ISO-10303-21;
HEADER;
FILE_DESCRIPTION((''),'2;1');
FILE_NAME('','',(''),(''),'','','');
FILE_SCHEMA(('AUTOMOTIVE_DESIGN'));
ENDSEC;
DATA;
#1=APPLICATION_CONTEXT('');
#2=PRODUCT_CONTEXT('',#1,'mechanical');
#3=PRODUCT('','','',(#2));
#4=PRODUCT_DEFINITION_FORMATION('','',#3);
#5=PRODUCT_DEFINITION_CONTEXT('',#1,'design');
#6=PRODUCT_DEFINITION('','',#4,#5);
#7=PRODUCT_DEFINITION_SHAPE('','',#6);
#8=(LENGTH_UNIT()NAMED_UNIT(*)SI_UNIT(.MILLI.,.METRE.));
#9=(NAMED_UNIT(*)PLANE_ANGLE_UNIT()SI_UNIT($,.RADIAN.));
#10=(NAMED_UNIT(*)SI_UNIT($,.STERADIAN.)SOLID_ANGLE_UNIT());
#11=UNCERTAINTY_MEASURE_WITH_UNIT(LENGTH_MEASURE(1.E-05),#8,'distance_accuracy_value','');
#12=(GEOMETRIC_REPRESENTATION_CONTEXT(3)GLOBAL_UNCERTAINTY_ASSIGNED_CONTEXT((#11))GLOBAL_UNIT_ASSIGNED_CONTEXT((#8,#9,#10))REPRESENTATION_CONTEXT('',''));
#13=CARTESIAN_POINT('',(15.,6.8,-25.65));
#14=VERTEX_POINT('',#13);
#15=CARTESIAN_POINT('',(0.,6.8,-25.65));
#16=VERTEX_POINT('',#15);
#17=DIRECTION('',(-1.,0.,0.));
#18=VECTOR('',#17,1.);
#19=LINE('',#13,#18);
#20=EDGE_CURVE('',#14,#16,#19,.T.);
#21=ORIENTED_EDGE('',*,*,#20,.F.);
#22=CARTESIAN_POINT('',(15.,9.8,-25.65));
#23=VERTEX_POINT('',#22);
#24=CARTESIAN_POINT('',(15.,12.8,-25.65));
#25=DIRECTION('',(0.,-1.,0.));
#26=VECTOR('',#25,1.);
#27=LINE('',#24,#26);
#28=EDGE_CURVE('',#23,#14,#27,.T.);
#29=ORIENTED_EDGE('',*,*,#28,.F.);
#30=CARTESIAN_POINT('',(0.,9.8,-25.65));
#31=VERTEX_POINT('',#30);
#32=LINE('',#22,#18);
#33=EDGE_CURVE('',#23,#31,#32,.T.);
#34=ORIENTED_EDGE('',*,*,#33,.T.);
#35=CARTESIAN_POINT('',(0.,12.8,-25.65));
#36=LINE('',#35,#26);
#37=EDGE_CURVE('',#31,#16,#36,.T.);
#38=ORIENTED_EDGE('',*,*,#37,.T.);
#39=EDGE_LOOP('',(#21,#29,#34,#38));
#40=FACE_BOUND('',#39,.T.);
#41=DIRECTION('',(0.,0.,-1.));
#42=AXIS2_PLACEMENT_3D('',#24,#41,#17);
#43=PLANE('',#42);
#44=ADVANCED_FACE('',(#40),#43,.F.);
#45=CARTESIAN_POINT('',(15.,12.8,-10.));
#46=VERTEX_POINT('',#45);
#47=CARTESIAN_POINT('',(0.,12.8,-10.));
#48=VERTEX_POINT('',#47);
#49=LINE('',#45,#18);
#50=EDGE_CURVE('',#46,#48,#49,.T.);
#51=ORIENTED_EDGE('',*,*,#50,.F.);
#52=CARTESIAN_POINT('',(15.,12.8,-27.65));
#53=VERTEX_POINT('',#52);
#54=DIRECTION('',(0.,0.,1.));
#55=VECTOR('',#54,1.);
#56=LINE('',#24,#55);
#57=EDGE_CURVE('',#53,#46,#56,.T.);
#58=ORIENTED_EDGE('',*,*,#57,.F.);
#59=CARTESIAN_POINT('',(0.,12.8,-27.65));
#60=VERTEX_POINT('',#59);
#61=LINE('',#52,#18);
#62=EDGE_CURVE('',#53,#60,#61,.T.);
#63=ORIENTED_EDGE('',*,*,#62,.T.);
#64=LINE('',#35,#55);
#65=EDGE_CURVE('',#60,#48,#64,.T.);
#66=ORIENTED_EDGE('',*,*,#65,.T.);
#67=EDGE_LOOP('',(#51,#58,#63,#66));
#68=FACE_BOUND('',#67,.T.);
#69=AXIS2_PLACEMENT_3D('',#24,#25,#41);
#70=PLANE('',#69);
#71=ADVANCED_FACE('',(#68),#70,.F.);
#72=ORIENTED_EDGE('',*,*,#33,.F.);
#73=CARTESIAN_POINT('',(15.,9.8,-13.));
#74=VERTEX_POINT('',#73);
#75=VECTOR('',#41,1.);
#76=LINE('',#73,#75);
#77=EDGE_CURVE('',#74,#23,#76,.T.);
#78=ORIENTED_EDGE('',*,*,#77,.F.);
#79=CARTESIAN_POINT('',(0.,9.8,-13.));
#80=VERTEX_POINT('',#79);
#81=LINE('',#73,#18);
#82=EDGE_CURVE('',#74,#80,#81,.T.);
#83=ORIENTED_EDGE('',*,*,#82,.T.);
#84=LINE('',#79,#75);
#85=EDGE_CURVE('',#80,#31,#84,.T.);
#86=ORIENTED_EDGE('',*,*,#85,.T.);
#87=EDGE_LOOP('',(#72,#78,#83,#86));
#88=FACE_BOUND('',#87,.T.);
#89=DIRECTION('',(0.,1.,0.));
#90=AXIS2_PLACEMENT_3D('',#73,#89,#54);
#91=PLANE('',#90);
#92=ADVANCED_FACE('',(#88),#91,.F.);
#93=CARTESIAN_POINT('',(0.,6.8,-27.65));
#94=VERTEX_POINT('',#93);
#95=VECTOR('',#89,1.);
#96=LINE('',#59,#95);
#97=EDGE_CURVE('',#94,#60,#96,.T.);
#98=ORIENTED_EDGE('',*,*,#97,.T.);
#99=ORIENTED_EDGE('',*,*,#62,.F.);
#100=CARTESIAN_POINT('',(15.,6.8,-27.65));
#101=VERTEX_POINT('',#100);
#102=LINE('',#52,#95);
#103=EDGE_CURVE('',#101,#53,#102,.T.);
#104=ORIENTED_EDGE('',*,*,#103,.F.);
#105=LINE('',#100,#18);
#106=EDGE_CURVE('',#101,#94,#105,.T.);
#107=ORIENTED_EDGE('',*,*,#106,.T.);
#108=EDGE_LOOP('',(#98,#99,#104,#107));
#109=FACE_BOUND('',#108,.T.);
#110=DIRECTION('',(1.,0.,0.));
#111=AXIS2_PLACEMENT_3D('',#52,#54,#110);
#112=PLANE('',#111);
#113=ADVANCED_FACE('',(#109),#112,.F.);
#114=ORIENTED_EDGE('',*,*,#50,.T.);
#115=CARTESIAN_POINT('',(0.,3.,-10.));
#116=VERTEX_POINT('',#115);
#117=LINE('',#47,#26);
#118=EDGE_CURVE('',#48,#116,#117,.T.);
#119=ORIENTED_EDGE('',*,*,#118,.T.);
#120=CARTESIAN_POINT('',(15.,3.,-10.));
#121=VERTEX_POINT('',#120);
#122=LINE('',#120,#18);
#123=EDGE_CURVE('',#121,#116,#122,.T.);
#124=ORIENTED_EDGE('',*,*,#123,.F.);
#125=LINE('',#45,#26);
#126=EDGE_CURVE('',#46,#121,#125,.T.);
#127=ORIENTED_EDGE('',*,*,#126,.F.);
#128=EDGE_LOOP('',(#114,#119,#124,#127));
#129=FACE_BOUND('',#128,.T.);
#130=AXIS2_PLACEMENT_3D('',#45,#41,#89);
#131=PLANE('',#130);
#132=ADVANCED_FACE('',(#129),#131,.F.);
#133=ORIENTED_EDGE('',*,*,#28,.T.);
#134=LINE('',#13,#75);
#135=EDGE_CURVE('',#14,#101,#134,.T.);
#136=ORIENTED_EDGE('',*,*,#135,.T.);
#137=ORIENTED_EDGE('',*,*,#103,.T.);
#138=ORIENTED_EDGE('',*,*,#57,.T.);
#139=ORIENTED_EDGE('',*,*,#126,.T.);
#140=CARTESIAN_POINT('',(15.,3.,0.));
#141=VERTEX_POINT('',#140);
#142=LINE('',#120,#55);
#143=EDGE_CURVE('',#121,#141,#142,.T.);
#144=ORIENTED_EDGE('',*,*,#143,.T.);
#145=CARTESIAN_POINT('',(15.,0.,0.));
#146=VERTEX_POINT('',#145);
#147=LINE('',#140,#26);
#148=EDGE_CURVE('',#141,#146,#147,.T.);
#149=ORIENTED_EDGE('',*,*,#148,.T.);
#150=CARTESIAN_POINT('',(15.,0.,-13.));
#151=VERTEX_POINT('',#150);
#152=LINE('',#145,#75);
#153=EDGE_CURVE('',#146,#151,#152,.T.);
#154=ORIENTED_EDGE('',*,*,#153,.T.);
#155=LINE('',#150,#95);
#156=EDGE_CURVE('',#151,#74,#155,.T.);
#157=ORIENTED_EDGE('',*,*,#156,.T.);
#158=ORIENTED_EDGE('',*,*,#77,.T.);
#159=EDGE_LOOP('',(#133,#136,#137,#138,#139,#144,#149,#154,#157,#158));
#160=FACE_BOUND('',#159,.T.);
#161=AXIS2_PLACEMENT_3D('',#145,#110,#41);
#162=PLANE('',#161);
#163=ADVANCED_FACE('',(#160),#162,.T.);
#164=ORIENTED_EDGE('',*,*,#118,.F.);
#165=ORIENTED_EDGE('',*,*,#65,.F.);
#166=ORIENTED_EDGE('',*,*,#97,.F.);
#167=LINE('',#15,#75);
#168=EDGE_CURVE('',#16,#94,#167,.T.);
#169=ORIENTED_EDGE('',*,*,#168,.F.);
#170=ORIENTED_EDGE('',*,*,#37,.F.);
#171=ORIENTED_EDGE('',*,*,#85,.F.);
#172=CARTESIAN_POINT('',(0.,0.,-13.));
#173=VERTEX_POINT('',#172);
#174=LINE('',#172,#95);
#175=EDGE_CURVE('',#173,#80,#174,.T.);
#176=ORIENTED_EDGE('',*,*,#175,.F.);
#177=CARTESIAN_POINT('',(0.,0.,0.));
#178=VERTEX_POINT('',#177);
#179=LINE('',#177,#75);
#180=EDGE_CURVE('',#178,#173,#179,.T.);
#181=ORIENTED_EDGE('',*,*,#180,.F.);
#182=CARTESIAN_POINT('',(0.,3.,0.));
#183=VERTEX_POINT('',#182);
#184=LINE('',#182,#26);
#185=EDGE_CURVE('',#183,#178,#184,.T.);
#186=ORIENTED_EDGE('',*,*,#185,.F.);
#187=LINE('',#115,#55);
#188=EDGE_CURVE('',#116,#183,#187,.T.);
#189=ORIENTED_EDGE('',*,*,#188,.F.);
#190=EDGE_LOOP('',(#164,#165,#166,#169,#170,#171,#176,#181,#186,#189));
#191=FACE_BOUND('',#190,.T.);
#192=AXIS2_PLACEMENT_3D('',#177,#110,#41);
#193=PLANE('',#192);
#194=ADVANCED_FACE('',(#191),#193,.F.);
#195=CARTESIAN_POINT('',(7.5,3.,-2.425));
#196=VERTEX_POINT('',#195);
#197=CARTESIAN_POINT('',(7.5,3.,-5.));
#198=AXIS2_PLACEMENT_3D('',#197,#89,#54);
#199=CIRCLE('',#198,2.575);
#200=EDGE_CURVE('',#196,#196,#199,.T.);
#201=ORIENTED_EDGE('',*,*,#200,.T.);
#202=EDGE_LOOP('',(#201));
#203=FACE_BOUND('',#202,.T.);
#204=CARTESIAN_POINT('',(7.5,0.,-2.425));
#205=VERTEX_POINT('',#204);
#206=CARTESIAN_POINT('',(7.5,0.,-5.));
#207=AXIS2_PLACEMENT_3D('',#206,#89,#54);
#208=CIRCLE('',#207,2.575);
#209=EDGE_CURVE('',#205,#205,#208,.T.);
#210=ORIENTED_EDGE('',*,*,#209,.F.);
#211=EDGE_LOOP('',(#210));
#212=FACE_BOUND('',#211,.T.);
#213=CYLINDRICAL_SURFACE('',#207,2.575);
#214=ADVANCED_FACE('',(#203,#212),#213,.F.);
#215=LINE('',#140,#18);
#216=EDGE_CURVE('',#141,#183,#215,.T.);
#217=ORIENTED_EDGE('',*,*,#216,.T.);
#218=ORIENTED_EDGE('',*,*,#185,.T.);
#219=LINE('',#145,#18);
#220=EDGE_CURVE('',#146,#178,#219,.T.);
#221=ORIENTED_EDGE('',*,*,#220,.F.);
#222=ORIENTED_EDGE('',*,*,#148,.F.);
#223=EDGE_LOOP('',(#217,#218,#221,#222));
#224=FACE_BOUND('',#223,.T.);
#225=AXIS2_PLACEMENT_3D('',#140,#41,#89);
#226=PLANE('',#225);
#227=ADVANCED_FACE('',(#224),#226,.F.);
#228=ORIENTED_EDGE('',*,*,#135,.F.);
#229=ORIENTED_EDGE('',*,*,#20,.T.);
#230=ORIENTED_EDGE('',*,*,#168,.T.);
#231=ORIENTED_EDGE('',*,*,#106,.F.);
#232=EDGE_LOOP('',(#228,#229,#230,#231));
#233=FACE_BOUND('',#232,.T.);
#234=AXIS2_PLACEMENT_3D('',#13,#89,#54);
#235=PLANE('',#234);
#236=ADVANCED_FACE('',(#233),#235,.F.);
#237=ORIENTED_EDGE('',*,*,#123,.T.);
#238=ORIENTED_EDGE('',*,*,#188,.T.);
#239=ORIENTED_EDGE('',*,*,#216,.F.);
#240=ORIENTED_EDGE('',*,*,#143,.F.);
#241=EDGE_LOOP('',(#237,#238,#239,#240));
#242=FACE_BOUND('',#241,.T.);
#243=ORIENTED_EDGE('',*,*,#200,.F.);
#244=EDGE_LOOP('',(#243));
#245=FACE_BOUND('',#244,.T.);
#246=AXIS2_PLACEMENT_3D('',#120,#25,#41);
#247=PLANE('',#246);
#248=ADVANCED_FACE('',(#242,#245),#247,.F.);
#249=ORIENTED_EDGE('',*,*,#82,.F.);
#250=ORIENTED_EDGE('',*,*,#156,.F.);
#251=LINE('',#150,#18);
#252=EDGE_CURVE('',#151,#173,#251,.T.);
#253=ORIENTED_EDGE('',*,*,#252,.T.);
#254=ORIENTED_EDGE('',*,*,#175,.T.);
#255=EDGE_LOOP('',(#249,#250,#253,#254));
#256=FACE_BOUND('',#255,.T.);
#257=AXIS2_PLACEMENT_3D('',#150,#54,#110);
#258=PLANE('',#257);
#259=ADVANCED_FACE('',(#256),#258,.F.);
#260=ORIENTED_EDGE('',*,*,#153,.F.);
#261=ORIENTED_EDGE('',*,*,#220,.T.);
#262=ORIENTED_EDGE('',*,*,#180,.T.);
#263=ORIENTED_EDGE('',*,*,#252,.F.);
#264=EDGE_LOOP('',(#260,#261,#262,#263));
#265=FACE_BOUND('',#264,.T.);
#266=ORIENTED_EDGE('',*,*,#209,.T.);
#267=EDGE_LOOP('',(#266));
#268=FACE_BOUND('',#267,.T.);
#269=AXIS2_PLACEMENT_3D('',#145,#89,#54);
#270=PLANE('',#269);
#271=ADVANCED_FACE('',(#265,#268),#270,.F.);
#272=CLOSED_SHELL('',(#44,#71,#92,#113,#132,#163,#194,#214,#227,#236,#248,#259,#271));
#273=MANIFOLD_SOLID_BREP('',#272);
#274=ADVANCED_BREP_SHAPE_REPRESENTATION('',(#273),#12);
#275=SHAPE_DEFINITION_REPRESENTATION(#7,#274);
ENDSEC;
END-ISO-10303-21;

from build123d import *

# Parameters (mm, degrees)
SALIENTE_EXTRUIR1_DEPTH = 15
CROQUIS4_W              = 2
CROQUIS4_H              = 6
SALIENTE_EXTRUIR2_DEPTH = 15
CROQUIS5_R              = 2.575
CORTAR_EXTRUIR1_DEPTH   = 4


with BuildPart() as part:
    # Croquis2 → Saliente-Extruir1 (new body)
    with BuildSketch(Plane(origin=(0, 0, 0), x_dir=(0, 0, -1), z_dir=(1, 0, 0))):
        Polygon((0, 0), (13, 0), (13, 9.8), (25.65, 9.8), (25.65, 12.8), (10, 12.8), (10, 3), (0, 3), align=None)
    extrude(amount=SALIENTE_EXTRUIR1_DEPTH)

    # Croquis4 → Saliente-Extruir2 (add, through all)
    with BuildSketch(Plane(origin=(0, 0, 0), x_dir=(0, 0, -1), z_dir=(1, 0, 0))):
        with Locations((26.65, 9.8)):
            Rectangle(CROQUIS4_W, CROQUIS4_H)
    extrude(amount=SALIENTE_EXTRUIR2_DEPTH)

    # Croquis5 → Cortar-Extruir1 (cut, through all)
    with BuildSketch(Plane(origin=(0, 3, 0), x_dir=(1, 0, 0), z_dir=(0, 1, 0))):
        with Locations((7.5, 5)):
            Circle(CROQUIS5_R)
    extrude(amount=-CORTAR_EXTRUIR1_DEPTH, mode=Mode.SUBTRACT)


solid = part.part
